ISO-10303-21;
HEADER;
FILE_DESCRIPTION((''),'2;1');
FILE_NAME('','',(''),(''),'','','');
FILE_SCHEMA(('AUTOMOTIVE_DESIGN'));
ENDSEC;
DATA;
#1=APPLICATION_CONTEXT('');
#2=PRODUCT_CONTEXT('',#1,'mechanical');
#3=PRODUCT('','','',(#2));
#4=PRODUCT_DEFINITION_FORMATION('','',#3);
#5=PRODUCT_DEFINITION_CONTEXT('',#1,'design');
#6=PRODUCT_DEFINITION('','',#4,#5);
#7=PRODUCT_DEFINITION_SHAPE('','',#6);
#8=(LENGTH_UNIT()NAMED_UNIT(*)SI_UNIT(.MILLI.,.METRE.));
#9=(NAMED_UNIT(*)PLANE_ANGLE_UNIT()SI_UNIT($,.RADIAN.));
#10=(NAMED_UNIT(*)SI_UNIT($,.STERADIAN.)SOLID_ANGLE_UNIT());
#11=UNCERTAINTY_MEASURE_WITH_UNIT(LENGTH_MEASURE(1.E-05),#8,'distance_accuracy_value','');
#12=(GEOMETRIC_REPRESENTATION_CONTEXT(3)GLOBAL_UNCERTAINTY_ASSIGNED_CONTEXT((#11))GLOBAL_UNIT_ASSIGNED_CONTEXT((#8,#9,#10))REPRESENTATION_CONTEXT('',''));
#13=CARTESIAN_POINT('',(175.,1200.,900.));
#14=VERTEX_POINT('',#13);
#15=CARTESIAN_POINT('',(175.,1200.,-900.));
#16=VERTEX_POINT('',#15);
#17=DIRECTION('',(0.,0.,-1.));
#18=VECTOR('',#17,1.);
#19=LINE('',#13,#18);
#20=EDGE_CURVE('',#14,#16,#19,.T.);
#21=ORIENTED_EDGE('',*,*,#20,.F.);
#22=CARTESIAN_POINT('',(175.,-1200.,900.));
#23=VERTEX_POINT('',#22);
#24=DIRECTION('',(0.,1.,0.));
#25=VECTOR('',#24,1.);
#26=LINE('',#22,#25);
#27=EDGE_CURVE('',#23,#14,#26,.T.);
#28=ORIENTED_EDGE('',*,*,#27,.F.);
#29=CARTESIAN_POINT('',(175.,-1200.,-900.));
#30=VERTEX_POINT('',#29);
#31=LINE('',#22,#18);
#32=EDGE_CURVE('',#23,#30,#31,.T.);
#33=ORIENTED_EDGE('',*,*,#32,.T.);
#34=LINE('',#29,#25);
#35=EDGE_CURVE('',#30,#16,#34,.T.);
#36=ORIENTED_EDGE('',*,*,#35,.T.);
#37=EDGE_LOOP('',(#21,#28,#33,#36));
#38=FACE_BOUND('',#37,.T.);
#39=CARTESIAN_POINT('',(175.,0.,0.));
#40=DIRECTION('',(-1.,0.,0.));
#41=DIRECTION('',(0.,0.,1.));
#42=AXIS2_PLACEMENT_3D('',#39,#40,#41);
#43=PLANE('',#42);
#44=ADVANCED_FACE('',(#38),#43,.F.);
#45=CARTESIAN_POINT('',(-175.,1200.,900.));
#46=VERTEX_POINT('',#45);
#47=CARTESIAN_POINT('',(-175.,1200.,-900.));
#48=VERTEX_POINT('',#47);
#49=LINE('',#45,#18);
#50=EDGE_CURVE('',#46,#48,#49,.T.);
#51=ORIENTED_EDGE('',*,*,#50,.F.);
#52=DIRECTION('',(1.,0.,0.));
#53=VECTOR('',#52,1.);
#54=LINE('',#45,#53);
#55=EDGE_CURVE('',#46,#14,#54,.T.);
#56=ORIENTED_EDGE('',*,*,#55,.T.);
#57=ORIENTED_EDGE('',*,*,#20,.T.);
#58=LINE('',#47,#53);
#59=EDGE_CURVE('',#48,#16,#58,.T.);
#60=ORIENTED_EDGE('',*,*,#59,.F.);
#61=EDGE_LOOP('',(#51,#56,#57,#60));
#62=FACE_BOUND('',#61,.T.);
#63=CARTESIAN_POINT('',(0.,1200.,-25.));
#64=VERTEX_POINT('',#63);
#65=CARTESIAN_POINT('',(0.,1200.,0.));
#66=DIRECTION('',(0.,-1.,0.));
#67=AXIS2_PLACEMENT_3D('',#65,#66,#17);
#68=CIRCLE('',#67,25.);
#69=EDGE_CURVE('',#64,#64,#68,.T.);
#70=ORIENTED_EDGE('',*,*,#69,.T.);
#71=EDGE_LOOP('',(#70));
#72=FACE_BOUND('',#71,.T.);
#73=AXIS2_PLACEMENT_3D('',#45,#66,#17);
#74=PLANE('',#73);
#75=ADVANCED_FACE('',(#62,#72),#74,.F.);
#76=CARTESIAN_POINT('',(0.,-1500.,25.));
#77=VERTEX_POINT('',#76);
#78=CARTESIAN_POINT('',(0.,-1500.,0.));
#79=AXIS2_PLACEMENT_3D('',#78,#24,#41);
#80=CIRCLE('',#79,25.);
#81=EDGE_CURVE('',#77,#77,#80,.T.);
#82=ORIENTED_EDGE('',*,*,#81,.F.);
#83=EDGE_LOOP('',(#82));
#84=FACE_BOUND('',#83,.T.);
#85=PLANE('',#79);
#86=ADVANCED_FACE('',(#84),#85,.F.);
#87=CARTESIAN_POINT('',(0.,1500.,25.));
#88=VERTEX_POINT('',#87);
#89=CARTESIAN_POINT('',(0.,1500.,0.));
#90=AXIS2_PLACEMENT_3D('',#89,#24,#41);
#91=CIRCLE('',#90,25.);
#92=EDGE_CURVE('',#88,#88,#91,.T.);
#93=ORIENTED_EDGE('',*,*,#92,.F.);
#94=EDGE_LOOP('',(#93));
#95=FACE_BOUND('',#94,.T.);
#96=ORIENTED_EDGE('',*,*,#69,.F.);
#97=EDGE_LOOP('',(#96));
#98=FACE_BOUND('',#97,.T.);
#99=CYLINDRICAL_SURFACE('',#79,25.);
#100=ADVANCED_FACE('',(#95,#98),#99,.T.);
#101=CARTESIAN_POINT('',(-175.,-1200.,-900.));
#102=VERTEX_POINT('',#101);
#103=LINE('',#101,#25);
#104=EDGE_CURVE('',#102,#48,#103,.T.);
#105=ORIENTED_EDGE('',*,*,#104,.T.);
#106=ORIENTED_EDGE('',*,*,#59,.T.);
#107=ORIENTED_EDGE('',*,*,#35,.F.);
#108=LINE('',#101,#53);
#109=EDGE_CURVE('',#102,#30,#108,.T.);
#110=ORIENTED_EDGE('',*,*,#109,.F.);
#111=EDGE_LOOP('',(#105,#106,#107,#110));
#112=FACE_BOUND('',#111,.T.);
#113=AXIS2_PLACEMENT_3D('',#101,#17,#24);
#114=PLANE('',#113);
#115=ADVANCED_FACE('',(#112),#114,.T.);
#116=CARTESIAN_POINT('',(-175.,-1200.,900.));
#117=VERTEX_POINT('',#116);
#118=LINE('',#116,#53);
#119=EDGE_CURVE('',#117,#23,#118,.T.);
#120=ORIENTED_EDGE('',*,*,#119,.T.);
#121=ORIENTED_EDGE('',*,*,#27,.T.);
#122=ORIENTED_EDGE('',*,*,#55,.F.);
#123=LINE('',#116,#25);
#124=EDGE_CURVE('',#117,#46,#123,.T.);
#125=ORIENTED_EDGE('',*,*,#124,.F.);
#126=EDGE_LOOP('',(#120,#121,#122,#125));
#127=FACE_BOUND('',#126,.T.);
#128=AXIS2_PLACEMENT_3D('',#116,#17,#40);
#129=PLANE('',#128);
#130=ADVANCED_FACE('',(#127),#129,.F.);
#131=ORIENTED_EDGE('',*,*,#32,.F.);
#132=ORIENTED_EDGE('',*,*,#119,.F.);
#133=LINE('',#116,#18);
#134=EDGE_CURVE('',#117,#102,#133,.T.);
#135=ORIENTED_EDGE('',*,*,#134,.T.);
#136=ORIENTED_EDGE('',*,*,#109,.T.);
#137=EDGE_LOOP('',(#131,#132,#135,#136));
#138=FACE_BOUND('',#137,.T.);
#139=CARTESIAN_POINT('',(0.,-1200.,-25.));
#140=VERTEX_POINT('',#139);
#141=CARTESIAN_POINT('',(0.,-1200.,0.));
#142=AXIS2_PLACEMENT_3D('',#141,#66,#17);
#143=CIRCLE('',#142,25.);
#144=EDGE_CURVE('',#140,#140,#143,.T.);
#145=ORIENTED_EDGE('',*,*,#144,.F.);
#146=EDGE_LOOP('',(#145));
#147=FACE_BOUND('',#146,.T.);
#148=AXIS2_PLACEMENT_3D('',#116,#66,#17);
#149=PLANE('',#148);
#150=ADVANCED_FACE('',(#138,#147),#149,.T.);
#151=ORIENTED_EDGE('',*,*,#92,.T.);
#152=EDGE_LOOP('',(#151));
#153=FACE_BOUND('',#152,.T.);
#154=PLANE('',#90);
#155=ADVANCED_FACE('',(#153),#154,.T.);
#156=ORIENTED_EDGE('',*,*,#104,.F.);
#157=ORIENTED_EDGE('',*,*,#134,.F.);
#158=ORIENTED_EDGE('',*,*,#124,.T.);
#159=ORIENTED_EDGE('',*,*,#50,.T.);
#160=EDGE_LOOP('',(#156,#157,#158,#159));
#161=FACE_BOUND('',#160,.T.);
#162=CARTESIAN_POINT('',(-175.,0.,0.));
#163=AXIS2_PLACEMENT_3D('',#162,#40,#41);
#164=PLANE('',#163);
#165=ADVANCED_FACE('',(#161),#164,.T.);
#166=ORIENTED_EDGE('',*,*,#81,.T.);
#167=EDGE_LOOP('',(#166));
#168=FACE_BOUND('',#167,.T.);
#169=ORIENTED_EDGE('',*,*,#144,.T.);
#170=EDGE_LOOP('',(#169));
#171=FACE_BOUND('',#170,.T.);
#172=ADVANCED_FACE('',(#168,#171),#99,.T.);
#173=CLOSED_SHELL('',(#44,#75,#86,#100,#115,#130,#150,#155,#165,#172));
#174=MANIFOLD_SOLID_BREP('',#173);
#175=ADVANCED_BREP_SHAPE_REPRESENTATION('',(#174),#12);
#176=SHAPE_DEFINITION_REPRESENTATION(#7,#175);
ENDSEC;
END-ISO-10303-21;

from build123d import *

# Parameters (mm, degrees)
BOSS_EXTRUDE1_DEPTH      = 175
BOSS_EXTRUDE1_DEPTH_BACK = 175
SKETCH1_W                = 2400
SKETCH1_H                = 1800
BOSS_EXTRUDE2_DEPTH      = 1500
BOSS_EXTRUDE2_DEPTH_BACK = 1500
SKETCH2_R                = 25


with BuildPart() as part:
    # Sketch1 → Boss-Extrude1 (new, two sides: drawn at the far end of the back side and taken through both)
    with BuildSketch(Plane.YZ.offset(-BOSS_EXTRUDE1_DEPTH_BACK)):
        Rectangle(SKETCH1_W, SKETCH1_H)
    extrude(amount=BOSS_EXTRUDE1_DEPTH + BOSS_EXTRUDE1_DEPTH_BACK)

    # Sketch2 → Boss-Extrude2 (add, two sides: drawn at the far end of the back side and taken through both)
    with BuildSketch(Plane(origin=(0, 0, 0), x_dir=(1, 0, 0), z_dir=(0, 1, 0)).offset(-BOSS_EXTRUDE2_DEPTH_BACK)):
        Circle(SKETCH2_R)
    extrude(amount=BOSS_EXTRUDE2_DEPTH + BOSS_EXTRUDE2_DEPTH_BACK)


solid = part.part
